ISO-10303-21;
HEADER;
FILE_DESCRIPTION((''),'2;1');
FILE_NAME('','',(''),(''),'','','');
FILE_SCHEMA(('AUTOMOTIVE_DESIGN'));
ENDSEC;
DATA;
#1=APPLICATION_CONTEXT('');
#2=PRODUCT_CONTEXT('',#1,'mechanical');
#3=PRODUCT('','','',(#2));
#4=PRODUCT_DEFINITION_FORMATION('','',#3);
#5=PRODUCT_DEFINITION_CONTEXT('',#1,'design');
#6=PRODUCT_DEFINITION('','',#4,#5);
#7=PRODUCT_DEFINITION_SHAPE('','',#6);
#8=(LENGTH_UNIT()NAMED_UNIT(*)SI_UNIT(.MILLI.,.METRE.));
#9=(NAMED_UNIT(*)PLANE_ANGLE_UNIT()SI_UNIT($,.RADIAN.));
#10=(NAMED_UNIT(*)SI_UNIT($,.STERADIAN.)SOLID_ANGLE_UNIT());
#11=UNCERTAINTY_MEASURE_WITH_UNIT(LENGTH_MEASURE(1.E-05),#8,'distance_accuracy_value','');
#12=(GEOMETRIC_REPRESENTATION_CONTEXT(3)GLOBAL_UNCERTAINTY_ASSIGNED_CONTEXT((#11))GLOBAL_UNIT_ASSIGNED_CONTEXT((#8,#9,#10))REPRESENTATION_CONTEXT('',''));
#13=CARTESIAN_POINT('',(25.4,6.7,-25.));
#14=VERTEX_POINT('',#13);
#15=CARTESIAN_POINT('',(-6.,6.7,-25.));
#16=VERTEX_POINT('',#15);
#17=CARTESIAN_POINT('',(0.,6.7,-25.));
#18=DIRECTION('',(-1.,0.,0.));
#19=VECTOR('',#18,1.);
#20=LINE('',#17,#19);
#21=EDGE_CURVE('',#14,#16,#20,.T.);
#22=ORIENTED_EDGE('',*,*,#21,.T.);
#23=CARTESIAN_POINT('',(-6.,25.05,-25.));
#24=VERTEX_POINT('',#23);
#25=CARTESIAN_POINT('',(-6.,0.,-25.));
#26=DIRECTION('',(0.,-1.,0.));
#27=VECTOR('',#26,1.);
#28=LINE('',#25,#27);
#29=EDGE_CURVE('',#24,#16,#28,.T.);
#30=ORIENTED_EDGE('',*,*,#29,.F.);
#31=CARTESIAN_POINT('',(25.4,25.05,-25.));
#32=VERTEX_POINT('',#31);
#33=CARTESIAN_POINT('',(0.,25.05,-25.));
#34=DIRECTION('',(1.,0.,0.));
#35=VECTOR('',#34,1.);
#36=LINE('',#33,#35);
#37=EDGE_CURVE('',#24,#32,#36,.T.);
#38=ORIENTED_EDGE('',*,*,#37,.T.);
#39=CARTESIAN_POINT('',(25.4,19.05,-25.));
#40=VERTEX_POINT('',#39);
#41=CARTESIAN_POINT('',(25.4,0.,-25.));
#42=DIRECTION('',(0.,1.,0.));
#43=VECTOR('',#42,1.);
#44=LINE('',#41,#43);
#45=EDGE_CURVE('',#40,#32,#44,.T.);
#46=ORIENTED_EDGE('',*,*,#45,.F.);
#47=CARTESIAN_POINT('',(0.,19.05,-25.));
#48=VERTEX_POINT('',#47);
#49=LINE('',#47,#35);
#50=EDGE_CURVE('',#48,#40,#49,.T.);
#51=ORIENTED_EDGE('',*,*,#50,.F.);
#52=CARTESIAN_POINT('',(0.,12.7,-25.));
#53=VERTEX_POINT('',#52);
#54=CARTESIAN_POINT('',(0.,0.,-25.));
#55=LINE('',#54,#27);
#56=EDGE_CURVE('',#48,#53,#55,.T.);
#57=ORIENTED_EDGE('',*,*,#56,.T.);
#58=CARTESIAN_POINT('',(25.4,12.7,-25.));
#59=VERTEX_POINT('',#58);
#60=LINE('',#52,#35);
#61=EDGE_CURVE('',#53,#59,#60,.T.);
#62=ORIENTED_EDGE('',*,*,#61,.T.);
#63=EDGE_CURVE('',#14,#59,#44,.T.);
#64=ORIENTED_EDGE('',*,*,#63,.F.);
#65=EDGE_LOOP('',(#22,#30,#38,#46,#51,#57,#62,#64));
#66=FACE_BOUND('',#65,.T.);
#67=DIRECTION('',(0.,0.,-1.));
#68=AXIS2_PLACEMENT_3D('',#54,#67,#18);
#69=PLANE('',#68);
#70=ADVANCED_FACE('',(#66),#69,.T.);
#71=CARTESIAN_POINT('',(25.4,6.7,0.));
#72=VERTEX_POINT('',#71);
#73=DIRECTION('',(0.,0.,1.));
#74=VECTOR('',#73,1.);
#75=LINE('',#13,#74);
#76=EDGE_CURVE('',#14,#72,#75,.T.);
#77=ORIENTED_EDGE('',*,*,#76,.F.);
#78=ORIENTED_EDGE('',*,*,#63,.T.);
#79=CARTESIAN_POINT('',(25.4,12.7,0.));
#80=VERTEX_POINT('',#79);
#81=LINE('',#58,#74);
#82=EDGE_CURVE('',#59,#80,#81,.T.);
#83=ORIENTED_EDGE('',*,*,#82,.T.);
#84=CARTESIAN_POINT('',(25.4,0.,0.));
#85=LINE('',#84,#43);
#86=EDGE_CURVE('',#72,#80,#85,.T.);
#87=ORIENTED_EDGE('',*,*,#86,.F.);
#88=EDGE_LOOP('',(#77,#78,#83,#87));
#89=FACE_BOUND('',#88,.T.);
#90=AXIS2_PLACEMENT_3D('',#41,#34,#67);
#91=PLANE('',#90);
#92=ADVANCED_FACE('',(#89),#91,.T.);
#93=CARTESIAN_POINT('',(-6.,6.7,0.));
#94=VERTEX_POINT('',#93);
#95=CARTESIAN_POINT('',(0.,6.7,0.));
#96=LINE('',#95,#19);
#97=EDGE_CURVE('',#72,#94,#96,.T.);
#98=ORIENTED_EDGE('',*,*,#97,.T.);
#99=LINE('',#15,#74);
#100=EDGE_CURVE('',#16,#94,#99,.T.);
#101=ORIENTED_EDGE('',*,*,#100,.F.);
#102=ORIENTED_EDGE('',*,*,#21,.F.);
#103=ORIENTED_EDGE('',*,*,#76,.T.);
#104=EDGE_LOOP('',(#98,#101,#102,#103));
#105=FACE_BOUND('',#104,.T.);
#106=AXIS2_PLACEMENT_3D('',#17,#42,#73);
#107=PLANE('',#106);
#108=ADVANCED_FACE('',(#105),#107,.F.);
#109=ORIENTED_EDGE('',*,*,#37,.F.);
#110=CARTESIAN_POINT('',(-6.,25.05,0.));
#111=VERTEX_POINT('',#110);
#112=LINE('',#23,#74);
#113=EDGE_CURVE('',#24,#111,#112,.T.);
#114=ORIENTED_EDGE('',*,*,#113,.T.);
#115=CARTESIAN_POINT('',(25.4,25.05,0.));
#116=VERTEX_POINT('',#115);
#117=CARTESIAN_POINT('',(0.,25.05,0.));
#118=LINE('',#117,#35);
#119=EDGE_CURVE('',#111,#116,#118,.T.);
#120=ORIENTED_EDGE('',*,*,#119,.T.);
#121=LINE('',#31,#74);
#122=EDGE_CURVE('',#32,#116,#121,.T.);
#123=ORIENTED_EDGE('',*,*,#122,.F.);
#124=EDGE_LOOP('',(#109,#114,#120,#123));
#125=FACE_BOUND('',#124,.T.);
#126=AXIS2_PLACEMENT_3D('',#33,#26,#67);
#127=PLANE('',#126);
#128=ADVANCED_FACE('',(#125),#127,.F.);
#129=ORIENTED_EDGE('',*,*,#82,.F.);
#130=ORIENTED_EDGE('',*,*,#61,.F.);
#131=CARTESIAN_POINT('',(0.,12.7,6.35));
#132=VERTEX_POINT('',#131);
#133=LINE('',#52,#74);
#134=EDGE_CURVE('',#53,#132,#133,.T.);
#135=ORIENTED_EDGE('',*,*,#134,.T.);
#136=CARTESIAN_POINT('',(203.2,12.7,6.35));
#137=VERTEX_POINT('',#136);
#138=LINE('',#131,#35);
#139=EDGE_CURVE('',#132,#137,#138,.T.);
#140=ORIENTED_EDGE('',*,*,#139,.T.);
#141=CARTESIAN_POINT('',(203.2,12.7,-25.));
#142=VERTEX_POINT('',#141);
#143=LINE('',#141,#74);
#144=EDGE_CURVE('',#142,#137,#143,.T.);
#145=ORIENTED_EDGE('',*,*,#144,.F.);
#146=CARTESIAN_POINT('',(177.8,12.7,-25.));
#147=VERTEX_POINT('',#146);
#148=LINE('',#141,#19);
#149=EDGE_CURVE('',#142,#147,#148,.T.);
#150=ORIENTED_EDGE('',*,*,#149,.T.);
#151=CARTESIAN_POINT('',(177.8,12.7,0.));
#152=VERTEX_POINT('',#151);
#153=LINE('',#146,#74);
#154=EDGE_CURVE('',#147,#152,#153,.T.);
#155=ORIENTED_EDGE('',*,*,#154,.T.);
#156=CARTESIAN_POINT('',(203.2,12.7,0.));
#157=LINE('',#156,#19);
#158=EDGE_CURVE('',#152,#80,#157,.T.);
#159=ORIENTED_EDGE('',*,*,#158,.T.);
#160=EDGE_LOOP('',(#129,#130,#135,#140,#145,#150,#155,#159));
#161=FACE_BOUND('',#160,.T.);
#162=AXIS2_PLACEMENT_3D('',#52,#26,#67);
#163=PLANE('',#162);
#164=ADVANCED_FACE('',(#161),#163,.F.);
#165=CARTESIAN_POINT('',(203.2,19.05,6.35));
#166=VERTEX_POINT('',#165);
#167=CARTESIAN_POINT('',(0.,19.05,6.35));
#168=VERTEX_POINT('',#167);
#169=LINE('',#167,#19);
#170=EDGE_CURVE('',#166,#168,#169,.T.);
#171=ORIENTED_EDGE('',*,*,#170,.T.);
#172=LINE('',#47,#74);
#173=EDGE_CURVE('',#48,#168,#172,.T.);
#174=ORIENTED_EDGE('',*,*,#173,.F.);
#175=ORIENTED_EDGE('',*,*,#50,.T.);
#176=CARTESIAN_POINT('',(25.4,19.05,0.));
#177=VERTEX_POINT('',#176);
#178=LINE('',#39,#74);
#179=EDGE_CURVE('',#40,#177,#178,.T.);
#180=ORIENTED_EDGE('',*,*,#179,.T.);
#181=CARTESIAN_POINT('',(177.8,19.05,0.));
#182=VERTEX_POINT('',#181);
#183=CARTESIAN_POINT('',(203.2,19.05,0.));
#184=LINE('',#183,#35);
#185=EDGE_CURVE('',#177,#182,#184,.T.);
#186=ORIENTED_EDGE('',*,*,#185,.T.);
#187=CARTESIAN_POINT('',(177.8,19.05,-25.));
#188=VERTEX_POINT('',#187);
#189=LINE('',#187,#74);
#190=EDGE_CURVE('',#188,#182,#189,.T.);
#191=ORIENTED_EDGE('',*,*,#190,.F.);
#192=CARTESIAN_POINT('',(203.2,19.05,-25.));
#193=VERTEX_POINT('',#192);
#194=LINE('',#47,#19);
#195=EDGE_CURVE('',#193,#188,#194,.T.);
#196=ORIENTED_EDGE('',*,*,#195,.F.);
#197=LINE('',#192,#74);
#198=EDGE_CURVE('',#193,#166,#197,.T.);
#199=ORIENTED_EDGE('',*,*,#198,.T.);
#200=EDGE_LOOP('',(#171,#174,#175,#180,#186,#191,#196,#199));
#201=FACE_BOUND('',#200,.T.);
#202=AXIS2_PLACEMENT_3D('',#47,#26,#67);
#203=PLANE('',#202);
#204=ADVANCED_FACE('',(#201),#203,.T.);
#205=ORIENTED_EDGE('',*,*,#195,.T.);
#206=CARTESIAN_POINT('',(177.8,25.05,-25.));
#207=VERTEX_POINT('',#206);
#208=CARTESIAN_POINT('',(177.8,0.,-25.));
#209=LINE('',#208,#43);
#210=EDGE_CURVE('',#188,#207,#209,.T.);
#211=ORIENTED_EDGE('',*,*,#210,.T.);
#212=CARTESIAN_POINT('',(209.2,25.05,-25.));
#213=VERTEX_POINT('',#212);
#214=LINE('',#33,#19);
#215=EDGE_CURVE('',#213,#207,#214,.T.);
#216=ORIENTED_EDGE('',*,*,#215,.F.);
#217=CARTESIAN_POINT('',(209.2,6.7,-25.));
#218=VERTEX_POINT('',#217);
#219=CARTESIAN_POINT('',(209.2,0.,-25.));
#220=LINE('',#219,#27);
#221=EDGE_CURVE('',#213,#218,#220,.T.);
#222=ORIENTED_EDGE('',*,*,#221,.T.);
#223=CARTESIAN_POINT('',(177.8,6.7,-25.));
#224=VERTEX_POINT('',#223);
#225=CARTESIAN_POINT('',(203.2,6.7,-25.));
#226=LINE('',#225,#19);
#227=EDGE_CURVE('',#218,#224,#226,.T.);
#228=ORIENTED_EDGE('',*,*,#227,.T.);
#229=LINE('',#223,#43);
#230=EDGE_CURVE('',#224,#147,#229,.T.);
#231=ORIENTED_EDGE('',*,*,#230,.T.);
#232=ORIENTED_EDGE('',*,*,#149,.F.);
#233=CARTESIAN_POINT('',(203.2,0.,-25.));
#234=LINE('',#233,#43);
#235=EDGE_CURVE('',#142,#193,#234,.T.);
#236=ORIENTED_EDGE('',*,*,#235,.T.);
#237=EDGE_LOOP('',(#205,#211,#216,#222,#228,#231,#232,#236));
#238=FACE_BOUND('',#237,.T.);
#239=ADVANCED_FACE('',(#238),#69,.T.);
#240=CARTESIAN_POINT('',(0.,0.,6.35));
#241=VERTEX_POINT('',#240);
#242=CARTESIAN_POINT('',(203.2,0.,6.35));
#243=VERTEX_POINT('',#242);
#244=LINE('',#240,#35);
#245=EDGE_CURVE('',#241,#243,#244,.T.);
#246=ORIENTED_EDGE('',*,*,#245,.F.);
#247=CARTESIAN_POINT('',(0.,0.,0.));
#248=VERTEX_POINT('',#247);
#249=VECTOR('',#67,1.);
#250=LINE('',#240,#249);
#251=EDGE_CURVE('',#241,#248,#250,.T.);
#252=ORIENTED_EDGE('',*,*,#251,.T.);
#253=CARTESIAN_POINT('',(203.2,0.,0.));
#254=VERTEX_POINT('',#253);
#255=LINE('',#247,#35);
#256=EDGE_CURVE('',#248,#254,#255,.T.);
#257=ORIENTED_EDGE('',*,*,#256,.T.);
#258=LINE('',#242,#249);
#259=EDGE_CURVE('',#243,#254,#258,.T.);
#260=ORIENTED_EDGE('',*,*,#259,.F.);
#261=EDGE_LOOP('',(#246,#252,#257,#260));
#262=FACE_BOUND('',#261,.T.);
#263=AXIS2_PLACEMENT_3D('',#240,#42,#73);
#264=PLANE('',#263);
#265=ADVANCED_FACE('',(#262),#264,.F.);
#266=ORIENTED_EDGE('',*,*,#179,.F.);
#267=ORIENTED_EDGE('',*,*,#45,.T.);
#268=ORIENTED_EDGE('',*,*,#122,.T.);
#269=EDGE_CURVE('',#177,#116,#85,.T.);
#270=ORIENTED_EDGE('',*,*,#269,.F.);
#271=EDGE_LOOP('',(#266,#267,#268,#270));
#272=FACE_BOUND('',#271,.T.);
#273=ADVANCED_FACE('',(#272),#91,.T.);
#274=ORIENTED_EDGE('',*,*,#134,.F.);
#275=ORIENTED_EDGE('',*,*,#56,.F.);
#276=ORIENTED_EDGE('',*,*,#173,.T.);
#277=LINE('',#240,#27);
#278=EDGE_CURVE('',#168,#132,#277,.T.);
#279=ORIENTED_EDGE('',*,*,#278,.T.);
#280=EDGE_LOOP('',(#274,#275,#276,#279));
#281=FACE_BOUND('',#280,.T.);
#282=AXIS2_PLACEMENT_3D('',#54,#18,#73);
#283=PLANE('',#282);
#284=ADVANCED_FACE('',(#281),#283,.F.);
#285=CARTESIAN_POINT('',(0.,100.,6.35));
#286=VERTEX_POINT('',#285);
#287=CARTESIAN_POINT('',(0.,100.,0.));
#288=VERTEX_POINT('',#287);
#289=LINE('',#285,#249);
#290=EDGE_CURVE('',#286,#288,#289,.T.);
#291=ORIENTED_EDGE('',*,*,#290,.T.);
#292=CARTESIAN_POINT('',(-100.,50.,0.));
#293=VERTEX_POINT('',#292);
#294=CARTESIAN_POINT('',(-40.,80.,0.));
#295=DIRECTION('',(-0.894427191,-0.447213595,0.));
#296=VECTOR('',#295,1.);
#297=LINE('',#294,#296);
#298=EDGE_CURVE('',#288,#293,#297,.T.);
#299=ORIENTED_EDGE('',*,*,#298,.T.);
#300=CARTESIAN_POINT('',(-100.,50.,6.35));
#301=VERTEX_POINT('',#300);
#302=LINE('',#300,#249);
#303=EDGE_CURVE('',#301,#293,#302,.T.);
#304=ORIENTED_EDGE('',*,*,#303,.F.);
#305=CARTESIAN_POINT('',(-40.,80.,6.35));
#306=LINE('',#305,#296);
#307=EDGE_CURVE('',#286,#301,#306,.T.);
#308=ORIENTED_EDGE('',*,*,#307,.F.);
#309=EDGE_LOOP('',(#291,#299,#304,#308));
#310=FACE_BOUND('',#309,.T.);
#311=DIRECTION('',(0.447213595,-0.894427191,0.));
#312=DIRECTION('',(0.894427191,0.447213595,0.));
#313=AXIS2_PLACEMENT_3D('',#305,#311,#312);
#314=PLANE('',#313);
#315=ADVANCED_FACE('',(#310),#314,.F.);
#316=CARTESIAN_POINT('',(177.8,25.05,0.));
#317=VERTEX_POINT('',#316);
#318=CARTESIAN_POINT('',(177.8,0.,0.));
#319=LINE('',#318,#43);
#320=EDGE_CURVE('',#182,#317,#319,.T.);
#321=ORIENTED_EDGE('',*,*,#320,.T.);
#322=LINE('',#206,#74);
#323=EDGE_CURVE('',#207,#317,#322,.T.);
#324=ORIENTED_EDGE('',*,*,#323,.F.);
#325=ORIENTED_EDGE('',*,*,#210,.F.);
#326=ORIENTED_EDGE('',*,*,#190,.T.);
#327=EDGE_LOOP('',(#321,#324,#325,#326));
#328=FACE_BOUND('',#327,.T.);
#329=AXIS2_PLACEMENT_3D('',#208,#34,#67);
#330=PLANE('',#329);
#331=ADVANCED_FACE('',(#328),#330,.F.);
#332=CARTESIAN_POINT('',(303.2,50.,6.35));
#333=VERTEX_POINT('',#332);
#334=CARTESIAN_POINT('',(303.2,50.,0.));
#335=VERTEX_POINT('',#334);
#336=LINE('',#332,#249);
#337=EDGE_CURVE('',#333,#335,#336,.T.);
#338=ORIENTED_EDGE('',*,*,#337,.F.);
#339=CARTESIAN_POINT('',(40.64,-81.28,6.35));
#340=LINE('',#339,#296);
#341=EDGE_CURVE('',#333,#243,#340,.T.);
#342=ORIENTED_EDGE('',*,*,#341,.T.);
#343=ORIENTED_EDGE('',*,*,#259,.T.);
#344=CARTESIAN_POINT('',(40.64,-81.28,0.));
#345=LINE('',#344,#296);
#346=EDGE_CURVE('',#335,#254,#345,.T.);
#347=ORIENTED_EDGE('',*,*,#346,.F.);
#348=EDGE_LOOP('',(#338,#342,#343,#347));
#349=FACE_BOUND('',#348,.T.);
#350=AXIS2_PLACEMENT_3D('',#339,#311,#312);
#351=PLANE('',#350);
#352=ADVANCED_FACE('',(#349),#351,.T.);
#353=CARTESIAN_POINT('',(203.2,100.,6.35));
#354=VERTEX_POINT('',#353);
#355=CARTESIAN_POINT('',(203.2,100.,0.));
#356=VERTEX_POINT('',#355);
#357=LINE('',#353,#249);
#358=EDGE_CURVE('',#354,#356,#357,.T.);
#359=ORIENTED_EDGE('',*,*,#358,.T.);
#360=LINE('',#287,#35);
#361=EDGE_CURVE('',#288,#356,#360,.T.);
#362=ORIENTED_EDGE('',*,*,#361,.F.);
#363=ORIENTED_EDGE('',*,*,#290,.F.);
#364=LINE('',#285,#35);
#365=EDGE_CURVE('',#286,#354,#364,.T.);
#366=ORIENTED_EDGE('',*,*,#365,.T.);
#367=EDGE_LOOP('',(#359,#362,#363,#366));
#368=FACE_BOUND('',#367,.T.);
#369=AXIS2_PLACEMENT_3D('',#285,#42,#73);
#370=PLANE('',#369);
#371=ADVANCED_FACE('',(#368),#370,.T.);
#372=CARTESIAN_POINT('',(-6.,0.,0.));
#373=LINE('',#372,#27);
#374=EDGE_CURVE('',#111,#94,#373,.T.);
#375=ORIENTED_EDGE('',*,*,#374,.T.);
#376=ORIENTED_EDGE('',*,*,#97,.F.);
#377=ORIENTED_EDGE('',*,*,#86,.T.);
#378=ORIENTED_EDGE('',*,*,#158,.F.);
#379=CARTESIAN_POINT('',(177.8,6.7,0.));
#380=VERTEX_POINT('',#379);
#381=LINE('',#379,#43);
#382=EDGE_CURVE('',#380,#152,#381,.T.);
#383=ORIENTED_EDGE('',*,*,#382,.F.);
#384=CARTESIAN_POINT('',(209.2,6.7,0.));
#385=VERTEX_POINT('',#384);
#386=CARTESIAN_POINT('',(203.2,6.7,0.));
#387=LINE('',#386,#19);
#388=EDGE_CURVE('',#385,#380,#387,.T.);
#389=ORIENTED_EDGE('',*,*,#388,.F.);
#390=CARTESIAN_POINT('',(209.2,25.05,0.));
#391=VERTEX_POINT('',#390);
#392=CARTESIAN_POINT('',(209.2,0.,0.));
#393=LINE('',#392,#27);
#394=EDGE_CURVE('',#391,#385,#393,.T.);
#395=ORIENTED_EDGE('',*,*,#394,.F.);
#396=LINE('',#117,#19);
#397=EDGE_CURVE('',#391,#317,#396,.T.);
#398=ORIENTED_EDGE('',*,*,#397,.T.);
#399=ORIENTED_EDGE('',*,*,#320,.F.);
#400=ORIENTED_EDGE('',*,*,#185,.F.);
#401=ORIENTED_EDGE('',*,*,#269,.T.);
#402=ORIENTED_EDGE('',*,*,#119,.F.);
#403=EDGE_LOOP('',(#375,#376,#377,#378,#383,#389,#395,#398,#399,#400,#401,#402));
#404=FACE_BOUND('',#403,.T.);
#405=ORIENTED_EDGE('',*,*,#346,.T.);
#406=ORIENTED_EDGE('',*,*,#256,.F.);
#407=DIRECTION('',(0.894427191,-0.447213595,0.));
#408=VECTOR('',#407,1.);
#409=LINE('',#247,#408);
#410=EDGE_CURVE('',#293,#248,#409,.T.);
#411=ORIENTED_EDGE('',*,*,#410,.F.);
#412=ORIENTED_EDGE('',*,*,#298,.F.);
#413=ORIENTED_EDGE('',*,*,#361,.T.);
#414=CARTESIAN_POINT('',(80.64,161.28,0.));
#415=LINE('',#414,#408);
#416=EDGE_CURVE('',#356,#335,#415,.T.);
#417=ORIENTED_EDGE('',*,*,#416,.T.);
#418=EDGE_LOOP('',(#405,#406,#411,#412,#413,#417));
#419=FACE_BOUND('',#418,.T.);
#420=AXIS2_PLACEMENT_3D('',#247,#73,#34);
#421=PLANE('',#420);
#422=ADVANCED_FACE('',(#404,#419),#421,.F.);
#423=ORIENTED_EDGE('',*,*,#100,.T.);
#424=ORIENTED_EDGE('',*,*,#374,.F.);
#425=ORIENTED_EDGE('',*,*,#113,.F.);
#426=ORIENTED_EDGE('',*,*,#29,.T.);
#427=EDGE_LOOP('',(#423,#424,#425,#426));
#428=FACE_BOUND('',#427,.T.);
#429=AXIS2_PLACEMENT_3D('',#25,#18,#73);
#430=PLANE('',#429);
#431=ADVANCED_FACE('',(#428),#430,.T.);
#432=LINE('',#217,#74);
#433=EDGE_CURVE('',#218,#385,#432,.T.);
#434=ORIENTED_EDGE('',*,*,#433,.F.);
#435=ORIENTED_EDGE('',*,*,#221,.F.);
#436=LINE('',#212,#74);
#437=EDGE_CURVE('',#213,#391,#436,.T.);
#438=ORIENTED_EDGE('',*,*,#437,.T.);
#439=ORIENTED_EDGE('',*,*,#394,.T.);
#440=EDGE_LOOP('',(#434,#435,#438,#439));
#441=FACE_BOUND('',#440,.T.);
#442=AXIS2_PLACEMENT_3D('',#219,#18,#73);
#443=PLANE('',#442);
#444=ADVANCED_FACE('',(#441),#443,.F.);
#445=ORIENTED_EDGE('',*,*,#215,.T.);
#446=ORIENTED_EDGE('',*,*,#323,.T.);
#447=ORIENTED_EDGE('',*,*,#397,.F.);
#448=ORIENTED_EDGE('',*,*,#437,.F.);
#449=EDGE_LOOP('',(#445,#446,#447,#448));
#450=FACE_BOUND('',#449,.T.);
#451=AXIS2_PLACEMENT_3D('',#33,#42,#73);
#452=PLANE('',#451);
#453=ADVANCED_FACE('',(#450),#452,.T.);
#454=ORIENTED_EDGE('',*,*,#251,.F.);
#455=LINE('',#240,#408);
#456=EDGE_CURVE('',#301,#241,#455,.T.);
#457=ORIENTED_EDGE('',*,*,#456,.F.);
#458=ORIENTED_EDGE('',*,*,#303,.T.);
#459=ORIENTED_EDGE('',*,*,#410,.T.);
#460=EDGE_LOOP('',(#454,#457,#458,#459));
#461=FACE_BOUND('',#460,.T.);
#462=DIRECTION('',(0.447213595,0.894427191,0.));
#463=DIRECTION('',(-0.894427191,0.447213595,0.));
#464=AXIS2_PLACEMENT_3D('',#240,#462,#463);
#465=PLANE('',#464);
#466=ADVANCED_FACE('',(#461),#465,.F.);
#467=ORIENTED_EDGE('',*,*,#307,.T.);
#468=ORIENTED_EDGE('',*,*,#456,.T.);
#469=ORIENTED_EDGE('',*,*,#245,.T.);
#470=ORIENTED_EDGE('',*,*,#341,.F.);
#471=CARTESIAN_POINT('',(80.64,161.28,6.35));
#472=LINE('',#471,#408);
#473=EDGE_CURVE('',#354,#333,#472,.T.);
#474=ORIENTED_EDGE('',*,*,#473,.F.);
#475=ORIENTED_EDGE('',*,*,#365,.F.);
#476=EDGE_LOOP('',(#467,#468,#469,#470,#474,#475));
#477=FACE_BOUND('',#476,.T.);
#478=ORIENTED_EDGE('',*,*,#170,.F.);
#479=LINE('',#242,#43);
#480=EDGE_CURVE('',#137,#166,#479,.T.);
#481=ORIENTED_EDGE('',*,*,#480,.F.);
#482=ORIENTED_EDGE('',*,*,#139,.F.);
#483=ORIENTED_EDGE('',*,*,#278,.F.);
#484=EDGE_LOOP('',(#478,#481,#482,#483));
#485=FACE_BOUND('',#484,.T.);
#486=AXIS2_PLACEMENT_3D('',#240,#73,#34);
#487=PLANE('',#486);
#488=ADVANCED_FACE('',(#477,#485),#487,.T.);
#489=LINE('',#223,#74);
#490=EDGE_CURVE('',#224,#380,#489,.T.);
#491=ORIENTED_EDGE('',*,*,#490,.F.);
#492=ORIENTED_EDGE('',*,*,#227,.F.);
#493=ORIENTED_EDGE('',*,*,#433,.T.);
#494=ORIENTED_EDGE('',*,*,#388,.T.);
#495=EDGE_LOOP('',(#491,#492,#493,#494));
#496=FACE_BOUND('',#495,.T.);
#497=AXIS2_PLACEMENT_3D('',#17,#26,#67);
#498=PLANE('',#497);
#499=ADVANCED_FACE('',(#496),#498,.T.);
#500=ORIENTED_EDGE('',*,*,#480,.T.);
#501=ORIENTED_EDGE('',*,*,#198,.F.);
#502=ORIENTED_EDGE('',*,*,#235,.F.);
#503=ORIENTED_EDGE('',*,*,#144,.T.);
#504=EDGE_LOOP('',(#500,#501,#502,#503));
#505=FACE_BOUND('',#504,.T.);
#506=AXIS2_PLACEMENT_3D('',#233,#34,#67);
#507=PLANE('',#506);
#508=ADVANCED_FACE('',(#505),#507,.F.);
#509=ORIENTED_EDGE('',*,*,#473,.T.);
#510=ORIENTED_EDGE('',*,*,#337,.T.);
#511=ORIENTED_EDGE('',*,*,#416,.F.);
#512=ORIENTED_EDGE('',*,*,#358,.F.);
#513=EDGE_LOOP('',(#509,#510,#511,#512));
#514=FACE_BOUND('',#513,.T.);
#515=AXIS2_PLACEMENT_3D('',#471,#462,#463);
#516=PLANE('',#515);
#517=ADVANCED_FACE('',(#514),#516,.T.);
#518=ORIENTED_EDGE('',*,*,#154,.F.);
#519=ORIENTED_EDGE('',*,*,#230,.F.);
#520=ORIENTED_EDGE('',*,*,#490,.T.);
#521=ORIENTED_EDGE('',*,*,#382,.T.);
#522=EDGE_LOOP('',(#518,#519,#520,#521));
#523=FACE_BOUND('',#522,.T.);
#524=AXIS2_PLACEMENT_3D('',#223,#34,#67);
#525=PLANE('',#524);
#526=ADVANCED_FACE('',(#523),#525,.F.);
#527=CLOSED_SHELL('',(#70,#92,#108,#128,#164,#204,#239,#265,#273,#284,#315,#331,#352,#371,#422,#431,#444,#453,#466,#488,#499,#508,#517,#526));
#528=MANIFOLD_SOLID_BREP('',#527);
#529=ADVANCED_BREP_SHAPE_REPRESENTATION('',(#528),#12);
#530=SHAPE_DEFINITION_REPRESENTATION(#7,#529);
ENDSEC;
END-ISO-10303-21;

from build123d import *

# Parameters (mm, degrees)
BOSS_EXTRUDE1_DEPTH = 6.35
BOSS_EXTRUDE3_DEPTH = 25
SKETCH3_W           = 203.2
SKETCH3_H           = 6.35
CUT_EXTRUDE1_DEPTH  = 10


with BuildPart() as part:
    # Sketch1 → Boss-Extrude1 (new body)
    with BuildSketch(Plane.XY):
        Polygon((0, 0), (203.2, 0), (303.2, 50), (203.2, 100), (0, 100), (-100, 50), align=None)
    extrude(amount=BOSS_EXTRUDE1_DEPTH)

    # Sketch2 → Boss-Extrude3 (add)
    with BuildSketch(Plane(origin=(0, 0, 0), x_dir=(-1, 0, 0), z_dir=(0, 0, -1))):
        Polygon((-177.8, 12.7), (-203.2, 12.7), (-203.2, 19.05), (-177.8, 19.05), (-177.8, 25.05), (-209.2, 25.05), (-209.2, 6.7), (-177.8, 6.7), align=None)
        Polygon((6, 6.7), (6, 25.05), (-25.4, 25.05), (-25.4, 19.05), (0, 19.05), (0, 12.7), (-25.4, 12.7), (-25.4, 6.7), align=None)
    extrude(amount=BOSS_EXTRUDE3_DEPTH)

    # Sketch3 → Cut-Extrude1 (cut)
    with BuildSketch(Plane(origin=(0, 0, 0), x_dir=(-1, 0, 0), z_dir=(0, 0, -1))):
        with Locations((-101.6, 15.875)):
            Rectangle(SKETCH3_W, SKETCH3_H)
    extrude(amount=-CUT_EXTRUDE1_DEPTH, mode=Mode.SUBTRACT)


solid = part.part
